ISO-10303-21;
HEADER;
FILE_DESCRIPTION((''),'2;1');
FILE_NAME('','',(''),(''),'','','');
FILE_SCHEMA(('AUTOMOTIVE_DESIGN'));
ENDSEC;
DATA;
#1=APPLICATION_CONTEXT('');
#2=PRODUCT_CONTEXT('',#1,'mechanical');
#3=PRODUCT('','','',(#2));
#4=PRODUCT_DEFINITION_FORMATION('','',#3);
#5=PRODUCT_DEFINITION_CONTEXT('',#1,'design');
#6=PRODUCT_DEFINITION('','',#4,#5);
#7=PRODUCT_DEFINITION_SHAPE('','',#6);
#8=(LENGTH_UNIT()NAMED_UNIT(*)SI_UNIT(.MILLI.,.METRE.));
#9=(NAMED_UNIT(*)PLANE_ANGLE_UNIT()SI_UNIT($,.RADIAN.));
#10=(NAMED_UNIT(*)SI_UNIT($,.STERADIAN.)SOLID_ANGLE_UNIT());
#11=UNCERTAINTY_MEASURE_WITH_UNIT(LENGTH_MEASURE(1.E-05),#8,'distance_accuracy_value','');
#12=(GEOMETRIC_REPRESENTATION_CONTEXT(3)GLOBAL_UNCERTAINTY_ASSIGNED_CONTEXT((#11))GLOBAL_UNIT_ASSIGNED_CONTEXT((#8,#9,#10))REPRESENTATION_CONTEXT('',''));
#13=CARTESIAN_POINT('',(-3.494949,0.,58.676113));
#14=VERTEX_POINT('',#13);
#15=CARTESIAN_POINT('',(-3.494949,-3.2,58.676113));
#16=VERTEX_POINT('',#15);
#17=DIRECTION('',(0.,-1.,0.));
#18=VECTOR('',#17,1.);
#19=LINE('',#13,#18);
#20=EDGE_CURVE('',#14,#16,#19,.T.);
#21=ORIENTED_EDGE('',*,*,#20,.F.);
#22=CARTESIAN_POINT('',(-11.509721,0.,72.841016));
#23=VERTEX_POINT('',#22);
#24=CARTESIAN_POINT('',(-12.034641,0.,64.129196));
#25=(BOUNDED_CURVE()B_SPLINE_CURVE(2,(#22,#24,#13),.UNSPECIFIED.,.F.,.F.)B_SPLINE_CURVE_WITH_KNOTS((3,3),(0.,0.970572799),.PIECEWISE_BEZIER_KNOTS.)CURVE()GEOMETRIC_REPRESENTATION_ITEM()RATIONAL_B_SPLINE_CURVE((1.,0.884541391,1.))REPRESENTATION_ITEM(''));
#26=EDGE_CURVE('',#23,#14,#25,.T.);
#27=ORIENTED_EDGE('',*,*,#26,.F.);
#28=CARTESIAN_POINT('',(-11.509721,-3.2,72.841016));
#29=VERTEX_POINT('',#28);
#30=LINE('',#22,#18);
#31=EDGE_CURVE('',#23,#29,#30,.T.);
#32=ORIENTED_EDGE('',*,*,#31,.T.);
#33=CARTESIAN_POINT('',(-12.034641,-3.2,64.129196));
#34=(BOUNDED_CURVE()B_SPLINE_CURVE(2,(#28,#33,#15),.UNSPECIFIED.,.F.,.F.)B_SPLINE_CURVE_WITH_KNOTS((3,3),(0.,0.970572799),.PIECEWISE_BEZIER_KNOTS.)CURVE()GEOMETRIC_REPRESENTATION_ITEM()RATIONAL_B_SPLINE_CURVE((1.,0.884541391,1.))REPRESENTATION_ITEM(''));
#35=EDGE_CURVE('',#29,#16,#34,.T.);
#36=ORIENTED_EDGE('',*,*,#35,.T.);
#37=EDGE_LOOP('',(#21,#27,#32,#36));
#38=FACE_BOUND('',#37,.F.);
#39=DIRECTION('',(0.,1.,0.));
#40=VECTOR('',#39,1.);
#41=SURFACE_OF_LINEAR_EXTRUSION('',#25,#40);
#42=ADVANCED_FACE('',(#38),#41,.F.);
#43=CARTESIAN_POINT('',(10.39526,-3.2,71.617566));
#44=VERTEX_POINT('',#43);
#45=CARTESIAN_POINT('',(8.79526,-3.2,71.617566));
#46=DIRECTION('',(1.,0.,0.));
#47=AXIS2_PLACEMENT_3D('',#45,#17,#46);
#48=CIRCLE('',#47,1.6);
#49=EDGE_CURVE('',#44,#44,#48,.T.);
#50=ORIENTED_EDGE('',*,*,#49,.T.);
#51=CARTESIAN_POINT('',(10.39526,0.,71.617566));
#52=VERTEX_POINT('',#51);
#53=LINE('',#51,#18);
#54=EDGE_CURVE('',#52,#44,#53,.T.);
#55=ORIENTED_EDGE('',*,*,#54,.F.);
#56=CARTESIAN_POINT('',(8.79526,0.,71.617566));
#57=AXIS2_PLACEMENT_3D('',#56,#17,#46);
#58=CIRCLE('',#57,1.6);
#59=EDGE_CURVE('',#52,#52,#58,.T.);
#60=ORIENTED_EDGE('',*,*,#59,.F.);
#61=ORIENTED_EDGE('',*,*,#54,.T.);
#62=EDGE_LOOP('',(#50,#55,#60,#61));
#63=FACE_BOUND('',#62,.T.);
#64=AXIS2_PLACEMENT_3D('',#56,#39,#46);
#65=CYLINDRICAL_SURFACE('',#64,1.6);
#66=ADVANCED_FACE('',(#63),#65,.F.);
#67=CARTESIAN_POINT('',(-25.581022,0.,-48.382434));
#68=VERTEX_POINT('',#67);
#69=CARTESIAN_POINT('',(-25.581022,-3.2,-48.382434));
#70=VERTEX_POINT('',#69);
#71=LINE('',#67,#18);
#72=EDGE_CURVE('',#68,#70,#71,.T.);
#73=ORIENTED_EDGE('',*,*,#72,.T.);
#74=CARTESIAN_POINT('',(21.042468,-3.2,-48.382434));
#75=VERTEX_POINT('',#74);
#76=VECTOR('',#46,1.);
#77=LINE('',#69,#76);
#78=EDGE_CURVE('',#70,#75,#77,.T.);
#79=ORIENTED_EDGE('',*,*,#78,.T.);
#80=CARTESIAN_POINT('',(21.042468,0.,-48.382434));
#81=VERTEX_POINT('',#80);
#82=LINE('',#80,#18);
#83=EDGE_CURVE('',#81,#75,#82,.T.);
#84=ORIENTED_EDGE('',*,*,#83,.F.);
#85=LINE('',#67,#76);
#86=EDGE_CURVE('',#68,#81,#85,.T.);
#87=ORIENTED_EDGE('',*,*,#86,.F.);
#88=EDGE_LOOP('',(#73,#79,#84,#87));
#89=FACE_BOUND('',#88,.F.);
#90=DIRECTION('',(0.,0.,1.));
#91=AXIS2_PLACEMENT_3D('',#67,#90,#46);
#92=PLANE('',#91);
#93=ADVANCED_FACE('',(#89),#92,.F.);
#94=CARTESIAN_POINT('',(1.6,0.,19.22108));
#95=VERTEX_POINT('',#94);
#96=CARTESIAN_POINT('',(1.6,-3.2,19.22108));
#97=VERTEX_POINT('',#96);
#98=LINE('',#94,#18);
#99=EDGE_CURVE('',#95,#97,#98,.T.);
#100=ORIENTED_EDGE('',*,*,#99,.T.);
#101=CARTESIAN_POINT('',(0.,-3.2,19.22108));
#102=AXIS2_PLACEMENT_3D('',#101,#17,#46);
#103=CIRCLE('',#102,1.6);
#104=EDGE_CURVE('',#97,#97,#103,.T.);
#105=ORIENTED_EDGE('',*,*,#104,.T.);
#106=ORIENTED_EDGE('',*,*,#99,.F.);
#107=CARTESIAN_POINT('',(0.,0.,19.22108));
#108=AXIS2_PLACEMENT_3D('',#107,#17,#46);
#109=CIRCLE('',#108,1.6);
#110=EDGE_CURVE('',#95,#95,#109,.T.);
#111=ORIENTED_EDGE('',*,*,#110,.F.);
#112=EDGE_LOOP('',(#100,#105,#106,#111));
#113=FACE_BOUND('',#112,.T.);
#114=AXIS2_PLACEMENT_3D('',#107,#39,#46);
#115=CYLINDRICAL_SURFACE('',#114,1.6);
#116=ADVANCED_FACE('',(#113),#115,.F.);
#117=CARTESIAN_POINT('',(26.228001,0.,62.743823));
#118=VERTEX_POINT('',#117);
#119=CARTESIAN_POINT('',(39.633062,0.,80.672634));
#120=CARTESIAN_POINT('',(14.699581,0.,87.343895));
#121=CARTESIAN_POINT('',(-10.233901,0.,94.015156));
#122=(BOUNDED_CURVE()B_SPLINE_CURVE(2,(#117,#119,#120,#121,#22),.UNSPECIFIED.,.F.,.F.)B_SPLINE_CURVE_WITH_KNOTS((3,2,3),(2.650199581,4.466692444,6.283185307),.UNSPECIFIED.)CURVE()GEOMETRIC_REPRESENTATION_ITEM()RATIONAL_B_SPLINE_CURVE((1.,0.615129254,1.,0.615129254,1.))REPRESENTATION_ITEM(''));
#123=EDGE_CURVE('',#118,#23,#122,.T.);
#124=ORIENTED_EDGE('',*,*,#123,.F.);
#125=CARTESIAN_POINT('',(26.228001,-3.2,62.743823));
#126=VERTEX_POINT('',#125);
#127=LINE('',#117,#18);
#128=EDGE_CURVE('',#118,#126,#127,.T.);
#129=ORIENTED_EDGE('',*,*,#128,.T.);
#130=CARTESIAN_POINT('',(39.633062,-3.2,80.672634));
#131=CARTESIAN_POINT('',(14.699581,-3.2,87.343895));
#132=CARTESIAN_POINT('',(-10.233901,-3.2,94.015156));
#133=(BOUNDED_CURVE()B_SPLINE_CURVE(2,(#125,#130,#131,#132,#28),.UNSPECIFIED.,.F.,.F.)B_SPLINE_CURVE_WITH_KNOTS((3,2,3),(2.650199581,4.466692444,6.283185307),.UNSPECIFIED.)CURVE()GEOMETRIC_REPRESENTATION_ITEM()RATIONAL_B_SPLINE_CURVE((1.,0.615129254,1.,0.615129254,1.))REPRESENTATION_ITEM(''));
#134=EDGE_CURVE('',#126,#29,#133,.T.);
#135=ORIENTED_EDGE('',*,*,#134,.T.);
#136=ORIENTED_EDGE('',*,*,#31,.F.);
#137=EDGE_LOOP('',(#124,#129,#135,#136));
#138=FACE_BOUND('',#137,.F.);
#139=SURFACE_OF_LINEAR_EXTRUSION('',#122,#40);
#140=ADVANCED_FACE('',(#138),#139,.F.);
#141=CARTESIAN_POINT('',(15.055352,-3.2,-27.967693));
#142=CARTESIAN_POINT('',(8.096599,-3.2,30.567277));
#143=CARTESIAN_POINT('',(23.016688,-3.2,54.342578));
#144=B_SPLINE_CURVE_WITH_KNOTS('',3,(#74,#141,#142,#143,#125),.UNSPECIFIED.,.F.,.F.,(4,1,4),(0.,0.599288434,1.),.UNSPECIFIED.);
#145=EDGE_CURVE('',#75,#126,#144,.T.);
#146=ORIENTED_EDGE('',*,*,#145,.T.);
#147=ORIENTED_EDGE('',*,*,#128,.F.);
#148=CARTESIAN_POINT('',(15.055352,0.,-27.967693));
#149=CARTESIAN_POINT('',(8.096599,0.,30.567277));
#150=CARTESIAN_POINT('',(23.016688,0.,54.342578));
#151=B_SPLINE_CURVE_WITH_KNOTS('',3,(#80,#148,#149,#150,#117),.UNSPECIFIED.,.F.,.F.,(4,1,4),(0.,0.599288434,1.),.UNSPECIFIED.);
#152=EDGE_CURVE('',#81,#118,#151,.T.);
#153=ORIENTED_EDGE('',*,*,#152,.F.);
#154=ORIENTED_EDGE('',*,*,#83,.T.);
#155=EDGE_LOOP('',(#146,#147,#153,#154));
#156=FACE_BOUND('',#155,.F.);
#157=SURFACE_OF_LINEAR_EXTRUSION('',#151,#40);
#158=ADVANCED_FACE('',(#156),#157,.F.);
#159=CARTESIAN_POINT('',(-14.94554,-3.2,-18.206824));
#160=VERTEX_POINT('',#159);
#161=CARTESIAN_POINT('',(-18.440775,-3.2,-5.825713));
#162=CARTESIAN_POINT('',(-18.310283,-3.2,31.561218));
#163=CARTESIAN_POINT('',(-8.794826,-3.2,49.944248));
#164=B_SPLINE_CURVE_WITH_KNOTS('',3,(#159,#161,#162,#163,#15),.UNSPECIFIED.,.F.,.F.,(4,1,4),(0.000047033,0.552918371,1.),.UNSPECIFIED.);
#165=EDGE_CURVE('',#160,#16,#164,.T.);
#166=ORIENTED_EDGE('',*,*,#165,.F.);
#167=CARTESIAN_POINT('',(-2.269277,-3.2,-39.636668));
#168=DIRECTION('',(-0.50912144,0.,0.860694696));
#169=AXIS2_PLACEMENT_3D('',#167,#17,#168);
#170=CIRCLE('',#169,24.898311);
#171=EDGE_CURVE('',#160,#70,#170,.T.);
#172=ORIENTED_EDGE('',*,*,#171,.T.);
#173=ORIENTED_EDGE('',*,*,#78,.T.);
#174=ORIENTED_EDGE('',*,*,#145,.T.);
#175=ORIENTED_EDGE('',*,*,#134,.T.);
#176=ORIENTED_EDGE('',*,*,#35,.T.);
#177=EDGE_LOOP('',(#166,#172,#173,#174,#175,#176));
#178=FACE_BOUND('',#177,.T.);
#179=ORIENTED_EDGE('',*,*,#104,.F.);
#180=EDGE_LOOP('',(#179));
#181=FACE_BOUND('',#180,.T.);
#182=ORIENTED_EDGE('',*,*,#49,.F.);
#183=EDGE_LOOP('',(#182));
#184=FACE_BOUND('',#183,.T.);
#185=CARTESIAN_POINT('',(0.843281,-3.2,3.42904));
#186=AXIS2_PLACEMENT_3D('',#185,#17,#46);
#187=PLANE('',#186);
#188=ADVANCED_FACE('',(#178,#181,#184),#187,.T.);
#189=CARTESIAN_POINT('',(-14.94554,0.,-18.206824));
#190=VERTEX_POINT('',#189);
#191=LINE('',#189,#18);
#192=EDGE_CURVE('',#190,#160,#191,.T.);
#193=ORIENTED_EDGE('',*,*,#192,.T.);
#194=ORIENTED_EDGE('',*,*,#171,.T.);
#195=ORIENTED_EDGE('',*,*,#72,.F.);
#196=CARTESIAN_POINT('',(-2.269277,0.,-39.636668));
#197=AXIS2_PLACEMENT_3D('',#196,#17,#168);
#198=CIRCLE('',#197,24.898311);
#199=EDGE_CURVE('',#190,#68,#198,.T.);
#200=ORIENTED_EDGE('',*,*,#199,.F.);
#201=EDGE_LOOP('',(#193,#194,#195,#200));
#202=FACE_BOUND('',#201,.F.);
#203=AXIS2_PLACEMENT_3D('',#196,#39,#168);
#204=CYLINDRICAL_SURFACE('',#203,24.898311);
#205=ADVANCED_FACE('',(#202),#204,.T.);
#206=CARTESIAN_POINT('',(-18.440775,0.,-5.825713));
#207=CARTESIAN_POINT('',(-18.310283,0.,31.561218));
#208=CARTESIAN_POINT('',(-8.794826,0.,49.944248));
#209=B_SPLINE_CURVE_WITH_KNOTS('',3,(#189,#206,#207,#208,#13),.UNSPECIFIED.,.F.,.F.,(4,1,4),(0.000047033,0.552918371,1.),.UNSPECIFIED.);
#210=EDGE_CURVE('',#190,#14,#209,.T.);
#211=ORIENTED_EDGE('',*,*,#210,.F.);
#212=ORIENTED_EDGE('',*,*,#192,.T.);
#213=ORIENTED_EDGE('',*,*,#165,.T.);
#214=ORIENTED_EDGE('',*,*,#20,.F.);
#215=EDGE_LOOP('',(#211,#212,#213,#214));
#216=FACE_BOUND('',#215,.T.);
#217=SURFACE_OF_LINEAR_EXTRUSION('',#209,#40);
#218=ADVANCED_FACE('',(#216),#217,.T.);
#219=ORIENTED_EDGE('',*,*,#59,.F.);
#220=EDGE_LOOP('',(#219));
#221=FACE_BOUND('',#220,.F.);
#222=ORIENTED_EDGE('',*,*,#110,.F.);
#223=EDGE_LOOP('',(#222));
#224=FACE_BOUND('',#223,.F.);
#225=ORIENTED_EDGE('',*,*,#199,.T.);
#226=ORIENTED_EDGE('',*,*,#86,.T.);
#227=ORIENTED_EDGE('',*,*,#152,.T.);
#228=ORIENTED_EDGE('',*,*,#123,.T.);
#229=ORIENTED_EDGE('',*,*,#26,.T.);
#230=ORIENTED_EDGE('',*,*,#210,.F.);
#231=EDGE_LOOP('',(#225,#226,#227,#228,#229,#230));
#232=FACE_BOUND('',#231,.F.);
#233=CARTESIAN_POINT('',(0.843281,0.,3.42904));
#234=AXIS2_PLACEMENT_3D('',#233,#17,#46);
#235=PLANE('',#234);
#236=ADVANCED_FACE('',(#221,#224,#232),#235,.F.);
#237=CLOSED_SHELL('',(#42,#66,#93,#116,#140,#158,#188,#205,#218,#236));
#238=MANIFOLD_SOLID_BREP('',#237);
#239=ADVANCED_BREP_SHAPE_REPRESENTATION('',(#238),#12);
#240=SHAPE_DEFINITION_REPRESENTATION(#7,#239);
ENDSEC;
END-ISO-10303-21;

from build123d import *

# Parameters (mm, degrees)
F0_R     = 1.6
F1_DEPTH = 3.2
F2_DEPTH = 3.2010001


with BuildPart() as f1:
    # F0 (on Front) → F1 (new body)
    with BuildSketch(Plane.XZ):
        with BuildLine():
            Line((-25.5810216412, -48.3824339509), (21.0424683918, -48.3824339509))
            add(Edge.make_bspline(
                [(21.0424683918, -48.3824339509), (15.0553516547, -27.9676929951), (8.0965992639, 30.5672769191), (23.0166880517, 54.3425780011), (26.2280006902, 62.7438225516)],
                knots=[0, 0, 0, 0, 0.5992884336, 1, 1, 1, 1], degree=3))
            add(Edge.make_bspline(
                [(-3.4949489511, 58.6761125547), (14.5644131665, 47.1441731408), (26.2280006902, 62.7438225516)],
                knots=[0.9705727989, 0.9705727989, 0.9705727989, 2.6501995807, 2.6501995807, 2.6501995807], degree=2, weights=[1, 0.6676017714, 1]))
            add(Edge.make_bspline(
                [(-14.9455404435, -18.2068239581), (-18.4407745771, -5.8257132268), (-18.3102826694, 31.5612182002), (-8.7948256364, 49.9442476446), (-3.4949489511, 58.6761125547)],
                knots=[4.70329e-05, 4.70329e-05, 4.70329e-05, 4.70329e-05, 0.552918371, 1, 1, 1, 1], degree=3))
            ThreePointArc((-14.9455404435, -18.2068239581), (-25.7517393276, -31.3602059251), (-25.5810216412, -48.3824339509))
        make_face()
        with Locations((0, 19.2210804671)):
            Circle(F0_R, mode=Mode.SUBTRACT)
        with BuildLine():
            add(Edge.make_bspline(
                [(-3.4949489511, 58.6761125547), (14.5644131665, 47.1441731408), (26.2280006902, 62.7438225516)],
                knots=[0.9705727989, 0.9705727989, 0.9705727989, 2.6501995807, 2.6501995807, 2.6501995807], degree=2, weights=[1, 0.6676017714, 1]))
            add(Edge.make_bspline(
                [(26.2280006902, 62.7438225516), (39.6330624716, 80.6726342227), (14.6995807554, 87.3438953608), (-10.2339009609, 94.015156499), (-11.5097213972, 72.8410164241)],
                knots=[2.6501995807, 2.6501995807, 2.6501995807, 4.4666924439, 4.4666924439, 6.2831853072, 6.2831853072, 6.2831853072], degree=2, weights=[1, 0.6151292539, 1, 0.6151292539, 1]))
            add(Edge.make_bspline(
                [(-11.5097213972, 72.8410164241), (-12.0346408701, 64.1291960679), (-3.4949489511, 58.6761125547)],
                knots=[0, 0, 0, 0.9705727989, 0.9705727989, 0.9705727989], degree=2, weights=[1, 0.884541391, 1]))
        make_face()
        with Locations((8.7952595204, 71.6175660491)):
            Circle(F0_R, mode=Mode.SUBTRACT)
    extrude(amount=F1_DEPTH)

    # F0 (on Front) → F2 (cut, through all)
    with BuildSketch(Plane.XZ):
        with Locations((8.7952595204, 71.6175660491)):
            Circle(F0_R)
        with Locations((0, 19.2210804671)):
            Circle(F0_R)
    extrude(amount=F2_DEPTH, mode=Mode.SUBTRACT)


solid = f1.part
